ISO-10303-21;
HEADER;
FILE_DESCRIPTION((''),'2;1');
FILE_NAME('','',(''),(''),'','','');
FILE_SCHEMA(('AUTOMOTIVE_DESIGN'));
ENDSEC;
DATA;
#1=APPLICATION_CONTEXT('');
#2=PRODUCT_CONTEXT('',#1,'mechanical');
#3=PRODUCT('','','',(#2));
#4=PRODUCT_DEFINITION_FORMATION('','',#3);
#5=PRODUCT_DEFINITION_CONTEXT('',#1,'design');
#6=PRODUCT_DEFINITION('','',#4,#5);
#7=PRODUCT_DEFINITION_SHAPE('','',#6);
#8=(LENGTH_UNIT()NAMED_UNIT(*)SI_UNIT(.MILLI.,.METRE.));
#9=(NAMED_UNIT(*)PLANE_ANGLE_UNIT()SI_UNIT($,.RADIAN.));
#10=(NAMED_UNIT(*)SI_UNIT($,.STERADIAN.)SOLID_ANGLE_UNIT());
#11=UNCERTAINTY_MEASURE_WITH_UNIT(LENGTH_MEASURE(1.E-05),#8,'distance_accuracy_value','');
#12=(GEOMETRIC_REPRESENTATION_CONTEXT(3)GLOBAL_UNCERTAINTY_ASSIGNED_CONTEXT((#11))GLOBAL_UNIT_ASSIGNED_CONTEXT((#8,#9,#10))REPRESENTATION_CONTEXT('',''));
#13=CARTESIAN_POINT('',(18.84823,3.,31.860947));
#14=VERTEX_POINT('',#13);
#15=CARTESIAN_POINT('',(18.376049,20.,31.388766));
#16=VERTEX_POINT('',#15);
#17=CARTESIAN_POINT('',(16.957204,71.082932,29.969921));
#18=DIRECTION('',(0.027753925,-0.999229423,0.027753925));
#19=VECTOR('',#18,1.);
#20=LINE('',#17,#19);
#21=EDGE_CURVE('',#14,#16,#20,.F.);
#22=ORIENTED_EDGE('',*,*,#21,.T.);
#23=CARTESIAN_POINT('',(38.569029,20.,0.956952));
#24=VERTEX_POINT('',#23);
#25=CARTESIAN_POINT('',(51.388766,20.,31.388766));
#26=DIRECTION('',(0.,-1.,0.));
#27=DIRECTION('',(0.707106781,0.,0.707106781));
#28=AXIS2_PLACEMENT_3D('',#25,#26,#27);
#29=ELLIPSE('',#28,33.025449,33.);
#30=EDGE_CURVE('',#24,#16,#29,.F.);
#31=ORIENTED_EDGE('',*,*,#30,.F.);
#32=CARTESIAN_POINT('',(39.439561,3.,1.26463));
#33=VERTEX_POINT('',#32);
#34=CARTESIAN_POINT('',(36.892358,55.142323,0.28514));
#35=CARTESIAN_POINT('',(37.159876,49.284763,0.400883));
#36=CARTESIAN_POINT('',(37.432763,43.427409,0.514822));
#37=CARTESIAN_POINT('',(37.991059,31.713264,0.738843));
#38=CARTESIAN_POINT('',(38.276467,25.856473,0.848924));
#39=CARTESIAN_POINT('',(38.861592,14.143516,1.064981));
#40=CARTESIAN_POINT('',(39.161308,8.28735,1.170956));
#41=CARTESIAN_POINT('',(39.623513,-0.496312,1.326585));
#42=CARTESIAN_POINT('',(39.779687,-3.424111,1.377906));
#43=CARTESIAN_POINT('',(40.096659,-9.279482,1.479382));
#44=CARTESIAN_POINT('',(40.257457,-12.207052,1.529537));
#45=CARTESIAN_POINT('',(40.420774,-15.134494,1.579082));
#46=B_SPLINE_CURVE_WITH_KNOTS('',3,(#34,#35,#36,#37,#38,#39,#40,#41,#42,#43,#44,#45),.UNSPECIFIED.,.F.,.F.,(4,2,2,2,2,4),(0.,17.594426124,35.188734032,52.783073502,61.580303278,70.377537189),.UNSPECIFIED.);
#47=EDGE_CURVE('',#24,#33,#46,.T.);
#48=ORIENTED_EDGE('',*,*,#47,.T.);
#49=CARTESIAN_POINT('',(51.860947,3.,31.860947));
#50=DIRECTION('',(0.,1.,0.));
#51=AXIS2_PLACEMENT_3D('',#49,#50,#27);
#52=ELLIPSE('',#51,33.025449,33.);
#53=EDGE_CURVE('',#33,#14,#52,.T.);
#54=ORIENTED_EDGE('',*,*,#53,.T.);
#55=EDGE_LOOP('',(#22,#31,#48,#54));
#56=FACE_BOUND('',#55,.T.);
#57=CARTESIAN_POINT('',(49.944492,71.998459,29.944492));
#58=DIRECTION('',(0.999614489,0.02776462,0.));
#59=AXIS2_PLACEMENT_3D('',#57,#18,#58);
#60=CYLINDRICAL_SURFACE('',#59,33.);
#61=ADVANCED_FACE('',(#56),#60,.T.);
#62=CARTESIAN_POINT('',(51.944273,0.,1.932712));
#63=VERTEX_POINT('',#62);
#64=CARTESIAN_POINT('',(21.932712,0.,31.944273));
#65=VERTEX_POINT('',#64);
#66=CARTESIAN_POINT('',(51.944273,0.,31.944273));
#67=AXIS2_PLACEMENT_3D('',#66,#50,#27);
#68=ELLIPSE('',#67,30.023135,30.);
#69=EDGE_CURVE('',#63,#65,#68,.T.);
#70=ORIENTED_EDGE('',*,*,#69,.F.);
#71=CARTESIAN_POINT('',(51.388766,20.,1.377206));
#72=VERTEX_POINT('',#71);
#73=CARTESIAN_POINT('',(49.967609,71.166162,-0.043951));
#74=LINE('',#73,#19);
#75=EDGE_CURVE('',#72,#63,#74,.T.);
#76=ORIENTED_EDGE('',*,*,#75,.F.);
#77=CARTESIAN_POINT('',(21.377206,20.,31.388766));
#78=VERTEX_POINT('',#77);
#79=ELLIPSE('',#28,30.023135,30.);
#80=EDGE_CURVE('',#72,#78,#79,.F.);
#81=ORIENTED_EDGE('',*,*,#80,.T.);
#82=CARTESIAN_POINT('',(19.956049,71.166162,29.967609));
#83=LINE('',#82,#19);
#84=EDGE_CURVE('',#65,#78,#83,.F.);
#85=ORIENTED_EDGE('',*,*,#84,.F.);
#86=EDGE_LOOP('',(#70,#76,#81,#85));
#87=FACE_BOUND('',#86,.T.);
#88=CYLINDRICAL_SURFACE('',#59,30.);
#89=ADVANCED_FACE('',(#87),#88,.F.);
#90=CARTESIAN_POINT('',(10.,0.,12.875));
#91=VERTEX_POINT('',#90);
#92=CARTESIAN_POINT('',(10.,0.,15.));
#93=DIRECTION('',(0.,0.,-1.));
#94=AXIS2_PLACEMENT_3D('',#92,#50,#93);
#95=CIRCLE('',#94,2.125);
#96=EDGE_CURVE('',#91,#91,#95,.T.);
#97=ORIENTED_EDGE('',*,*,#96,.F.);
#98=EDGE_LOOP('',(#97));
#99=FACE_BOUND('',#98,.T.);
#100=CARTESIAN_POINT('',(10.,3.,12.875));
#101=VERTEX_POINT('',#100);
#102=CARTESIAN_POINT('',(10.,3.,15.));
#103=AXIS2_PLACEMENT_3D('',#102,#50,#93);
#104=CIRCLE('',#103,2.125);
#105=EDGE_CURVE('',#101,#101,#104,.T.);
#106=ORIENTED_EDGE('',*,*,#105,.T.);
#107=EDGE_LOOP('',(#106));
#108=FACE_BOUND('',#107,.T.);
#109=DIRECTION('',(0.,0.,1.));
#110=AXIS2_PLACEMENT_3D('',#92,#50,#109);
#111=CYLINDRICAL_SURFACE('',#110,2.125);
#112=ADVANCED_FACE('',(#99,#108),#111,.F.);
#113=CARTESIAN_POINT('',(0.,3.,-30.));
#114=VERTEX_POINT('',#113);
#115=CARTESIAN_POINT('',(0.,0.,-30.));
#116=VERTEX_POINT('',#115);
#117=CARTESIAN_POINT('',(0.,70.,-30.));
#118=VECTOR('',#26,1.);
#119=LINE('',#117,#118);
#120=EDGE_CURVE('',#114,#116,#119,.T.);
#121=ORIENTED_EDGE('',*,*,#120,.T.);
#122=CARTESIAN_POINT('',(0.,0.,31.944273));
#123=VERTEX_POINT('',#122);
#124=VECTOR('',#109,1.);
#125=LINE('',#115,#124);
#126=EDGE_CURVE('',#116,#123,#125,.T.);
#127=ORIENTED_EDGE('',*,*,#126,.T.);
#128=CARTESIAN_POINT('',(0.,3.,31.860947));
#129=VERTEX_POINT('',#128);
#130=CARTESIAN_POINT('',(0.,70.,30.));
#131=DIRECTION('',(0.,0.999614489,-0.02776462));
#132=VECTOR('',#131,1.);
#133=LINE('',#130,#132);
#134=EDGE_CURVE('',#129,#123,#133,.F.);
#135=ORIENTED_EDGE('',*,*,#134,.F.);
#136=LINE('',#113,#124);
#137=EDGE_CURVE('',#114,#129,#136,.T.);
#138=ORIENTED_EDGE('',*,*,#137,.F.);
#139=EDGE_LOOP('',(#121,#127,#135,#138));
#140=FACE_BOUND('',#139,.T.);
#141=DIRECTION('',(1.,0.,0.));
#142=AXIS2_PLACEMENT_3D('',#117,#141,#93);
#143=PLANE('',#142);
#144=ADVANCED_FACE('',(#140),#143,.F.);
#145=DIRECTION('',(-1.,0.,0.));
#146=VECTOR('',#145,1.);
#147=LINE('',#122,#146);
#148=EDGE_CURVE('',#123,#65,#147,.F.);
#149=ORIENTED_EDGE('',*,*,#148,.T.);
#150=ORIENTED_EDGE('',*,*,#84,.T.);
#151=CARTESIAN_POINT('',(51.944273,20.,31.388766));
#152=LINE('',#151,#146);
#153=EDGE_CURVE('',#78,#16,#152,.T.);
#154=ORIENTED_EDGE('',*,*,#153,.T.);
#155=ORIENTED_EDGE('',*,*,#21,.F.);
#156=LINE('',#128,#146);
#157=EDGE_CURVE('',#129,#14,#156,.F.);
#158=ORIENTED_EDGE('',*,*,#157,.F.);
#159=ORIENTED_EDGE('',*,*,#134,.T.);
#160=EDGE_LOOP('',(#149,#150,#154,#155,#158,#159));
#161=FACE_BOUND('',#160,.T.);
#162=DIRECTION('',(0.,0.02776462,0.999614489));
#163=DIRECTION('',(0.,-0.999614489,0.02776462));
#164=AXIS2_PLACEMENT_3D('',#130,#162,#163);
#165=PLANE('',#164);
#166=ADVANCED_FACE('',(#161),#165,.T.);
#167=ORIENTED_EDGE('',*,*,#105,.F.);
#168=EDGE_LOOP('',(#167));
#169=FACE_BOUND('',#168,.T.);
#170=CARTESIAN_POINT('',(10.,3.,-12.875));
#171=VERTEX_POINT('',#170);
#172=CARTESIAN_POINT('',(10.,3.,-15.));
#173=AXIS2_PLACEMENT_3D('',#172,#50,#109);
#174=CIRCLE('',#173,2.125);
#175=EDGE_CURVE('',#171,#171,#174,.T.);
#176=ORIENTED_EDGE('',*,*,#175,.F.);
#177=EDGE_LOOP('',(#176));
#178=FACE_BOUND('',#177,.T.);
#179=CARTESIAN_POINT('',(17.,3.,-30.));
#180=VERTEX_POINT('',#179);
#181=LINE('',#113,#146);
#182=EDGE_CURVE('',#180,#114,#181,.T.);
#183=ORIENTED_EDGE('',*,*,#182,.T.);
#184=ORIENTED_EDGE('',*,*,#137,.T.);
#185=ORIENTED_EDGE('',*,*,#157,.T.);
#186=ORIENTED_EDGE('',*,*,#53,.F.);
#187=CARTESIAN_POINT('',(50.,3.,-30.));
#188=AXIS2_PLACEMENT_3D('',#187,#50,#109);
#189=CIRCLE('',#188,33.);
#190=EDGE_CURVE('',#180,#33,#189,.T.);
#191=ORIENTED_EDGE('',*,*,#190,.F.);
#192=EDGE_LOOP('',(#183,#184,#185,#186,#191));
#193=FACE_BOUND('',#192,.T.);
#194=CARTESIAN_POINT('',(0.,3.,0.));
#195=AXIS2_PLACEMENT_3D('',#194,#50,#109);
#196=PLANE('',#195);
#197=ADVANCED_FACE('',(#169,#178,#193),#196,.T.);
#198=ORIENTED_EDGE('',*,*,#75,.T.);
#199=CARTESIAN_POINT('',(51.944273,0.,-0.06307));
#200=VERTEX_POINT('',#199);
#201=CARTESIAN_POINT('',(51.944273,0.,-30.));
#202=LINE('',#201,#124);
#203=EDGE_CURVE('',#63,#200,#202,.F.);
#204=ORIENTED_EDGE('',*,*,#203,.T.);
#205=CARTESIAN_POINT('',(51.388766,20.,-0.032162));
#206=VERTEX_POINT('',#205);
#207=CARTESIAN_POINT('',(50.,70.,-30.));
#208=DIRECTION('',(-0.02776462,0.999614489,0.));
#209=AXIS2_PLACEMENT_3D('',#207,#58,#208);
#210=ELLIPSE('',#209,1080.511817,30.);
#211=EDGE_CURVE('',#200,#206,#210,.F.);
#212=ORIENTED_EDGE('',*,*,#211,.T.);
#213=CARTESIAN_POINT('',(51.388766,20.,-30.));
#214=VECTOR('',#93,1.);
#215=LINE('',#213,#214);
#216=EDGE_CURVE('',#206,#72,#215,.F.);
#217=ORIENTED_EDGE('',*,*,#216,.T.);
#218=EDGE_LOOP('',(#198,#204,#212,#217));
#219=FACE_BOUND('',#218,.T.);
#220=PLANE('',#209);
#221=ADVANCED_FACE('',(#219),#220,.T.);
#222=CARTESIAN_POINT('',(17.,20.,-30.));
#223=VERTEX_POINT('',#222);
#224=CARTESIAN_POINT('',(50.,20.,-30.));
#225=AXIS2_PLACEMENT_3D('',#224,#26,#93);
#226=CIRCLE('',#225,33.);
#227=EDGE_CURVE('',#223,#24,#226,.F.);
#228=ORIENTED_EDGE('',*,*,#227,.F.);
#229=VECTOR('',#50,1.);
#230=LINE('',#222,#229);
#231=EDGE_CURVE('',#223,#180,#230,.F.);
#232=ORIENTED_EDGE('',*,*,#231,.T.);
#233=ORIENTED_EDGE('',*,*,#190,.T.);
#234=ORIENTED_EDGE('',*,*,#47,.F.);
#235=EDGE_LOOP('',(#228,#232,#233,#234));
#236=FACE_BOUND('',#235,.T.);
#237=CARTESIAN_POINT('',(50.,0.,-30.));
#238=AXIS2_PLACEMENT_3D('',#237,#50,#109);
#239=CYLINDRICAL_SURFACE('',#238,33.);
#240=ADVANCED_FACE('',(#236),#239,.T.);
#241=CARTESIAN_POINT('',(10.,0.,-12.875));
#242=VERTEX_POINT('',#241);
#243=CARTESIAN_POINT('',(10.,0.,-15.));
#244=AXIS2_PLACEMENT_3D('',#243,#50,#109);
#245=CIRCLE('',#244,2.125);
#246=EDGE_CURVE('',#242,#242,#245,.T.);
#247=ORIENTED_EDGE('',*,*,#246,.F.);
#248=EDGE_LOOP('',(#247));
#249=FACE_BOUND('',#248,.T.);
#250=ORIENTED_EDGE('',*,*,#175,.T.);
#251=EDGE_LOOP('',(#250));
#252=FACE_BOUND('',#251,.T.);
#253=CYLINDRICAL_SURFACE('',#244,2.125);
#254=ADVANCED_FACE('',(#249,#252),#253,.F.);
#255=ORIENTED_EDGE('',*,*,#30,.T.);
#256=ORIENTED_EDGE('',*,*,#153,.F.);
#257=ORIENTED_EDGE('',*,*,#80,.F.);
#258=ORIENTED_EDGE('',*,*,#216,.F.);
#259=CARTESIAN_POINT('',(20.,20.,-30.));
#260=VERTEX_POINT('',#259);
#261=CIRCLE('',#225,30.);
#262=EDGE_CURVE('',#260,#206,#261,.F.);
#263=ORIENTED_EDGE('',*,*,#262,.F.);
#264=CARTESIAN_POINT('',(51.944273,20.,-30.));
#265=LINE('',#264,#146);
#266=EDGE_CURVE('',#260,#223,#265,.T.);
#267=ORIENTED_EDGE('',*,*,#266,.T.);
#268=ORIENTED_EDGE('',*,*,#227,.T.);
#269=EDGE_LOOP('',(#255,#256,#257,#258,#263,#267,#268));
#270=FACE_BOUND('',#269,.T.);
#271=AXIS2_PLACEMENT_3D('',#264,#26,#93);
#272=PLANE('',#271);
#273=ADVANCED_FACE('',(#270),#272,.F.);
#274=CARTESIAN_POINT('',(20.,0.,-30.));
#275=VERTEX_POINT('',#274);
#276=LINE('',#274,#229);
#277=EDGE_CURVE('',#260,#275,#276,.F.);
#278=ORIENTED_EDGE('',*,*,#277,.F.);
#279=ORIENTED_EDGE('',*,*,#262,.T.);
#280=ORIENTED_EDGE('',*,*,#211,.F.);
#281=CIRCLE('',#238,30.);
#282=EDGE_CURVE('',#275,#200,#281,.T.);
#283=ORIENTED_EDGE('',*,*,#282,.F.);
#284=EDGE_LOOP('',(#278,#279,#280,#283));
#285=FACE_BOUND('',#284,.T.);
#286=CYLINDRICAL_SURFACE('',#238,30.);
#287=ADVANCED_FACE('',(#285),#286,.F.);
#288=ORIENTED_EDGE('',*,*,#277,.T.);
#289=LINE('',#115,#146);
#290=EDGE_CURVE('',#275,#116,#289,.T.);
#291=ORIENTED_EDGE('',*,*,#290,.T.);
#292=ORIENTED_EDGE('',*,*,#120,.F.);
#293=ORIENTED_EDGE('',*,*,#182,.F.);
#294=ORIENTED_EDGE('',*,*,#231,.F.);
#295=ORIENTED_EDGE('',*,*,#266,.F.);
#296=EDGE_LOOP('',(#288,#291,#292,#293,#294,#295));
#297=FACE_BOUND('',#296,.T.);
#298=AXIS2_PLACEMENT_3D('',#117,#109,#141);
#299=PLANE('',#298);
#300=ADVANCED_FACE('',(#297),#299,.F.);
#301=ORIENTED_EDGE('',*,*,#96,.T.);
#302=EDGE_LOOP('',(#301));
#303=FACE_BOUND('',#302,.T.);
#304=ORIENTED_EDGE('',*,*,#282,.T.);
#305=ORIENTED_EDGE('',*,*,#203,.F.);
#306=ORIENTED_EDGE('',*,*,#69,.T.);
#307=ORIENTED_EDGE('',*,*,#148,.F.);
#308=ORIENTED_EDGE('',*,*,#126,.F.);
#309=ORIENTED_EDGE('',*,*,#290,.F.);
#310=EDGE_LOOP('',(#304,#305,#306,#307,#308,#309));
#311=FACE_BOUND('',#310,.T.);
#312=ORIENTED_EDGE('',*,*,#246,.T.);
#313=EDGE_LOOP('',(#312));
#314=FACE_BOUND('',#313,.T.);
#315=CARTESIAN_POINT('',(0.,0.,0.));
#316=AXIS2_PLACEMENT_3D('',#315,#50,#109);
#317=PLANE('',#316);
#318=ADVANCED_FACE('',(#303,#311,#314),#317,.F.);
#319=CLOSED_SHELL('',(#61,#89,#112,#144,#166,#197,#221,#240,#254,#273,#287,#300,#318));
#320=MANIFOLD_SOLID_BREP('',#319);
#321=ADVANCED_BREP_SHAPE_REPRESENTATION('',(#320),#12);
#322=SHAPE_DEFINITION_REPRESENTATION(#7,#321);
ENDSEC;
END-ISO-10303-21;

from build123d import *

# Parameters (mm, degrees)
SKETCH_1_W               = 50
SKETCH_1_H               = 60
EXTRUDE_1_DEPTH          = 70
DRAFT_1_ANGLE            = 1.591
CUT_EXTRUDE_1_DEPTH      = 72
CUT_EXTRUDE_1_DEPTH_BACK = 2
SKETCH_3_R               = 30
SKETCH_4_R               = 30
CUT_EXTRUDE_2_DEPTH      = 70
SKETCH_5_W               = 61.388766385
SKETCH_5_H               = 50
CUT_EXTRUDE_3_DEPTH      = 93.836652759
SHELL_1_T                = -3
SKETCH_6_R               = 2.125
CUT_EXTRUDE_4_DEPTH      = 64.305956024


with BuildPart() as part:
    # 草圖1 → 填料-伸長1 (new body)
    with BuildSketch(Plane(origin=(0, 0, 0), x_dir=(1, 0, 0), z_dir=(0, 1, 0))):
        with Locations((25, 0)):
            Rectangle(SKETCH_1_W, SKETCH_1_H)
    extrude(amount=EXTRUDE_1_DEPTH)

    # 拔模1
    draft_1_faces = [part.faces().sort_by_distance(p)[0] for p in [
        (50, 35, 0),
        (25, 35, 30),
    ]]
    draft(draft_1_faces, Plane.ZX.offset(70), DRAFT_1_ANGLE)

    # 草圖3 → 除料-伸長1 (cut, two sides: drawn at the far end of the back side and taken through both)
    with BuildSketch(Plane(origin=(50, 70, 30), x_dir=(0.9996147856379402, 0.02774322520612563, -0.0007705771714084017), z_dir=(0.02775392465967472, -0.9992294227713525, 0.027753924659674706)).offset(-CUT_EXTRUDE_1_DEPTH_BACK)):
        Circle(SKETCH_3_R)
    extrude(amount=CUT_EXTRUDE_1_DEPTH + CUT_EXTRUDE_1_DEPTH_BACK, mode=Mode.SUBTRACT)

    # 草圖4 → 除料-伸長2 (cut)
    with BuildSketch(Plane(origin=(0, 70, 0), x_dir=(1, 0, 0), z_dir=(0, 1, 0))):
        with Locations((50, 30)):
            Circle(SKETCH_4_R)
    extrude(amount=-CUT_EXTRUDE_2_DEPTH, mode=Mode.SUBTRACT)

    # 草圖5 → 除料-伸長3 (cut, through all)
    with BuildSketch(Plane.ZY):
        with Locations((0.694383192, 45)):
            Rectangle(SKETCH_5_W, SKETCH_5_H)
    extrude(amount=-CUT_EXTRUDE_3_DEPTH, mode=Mode.SUBTRACT)

    # 薄殼1
    shell_1_openings = [part.faces().sort_by_distance(p)[0] for p in [
        (14.866961876, 20, 1.073459526),
        (10, 10, -30),
        (10.828073147, 9.957245624, 31.667707178),
        (0, 9.984986274, 0.833468336),
    ]]
    offset(amount=SHELL_1_T, openings=shell_1_openings, kind=Kind.INTERSECTION)

    # 草圖6 → 除料-伸長4 (cut, through all)
    with BuildSketch(Plane(origin=(0, 3, 0), x_dir=(1, 0, 0), z_dir=(0, 1, 0))):
        with Locations(Location((10, 15, 0), (0, 0, 270))):
            Circle(SKETCH_6_R)
        with Locations(Location((10, -15, 0), (0, 0, 90))):
            Circle(SKETCH_6_R)
    extrude(amount=-CUT_EXTRUDE_4_DEPTH, mode=Mode.SUBTRACT)


solid = part.part
